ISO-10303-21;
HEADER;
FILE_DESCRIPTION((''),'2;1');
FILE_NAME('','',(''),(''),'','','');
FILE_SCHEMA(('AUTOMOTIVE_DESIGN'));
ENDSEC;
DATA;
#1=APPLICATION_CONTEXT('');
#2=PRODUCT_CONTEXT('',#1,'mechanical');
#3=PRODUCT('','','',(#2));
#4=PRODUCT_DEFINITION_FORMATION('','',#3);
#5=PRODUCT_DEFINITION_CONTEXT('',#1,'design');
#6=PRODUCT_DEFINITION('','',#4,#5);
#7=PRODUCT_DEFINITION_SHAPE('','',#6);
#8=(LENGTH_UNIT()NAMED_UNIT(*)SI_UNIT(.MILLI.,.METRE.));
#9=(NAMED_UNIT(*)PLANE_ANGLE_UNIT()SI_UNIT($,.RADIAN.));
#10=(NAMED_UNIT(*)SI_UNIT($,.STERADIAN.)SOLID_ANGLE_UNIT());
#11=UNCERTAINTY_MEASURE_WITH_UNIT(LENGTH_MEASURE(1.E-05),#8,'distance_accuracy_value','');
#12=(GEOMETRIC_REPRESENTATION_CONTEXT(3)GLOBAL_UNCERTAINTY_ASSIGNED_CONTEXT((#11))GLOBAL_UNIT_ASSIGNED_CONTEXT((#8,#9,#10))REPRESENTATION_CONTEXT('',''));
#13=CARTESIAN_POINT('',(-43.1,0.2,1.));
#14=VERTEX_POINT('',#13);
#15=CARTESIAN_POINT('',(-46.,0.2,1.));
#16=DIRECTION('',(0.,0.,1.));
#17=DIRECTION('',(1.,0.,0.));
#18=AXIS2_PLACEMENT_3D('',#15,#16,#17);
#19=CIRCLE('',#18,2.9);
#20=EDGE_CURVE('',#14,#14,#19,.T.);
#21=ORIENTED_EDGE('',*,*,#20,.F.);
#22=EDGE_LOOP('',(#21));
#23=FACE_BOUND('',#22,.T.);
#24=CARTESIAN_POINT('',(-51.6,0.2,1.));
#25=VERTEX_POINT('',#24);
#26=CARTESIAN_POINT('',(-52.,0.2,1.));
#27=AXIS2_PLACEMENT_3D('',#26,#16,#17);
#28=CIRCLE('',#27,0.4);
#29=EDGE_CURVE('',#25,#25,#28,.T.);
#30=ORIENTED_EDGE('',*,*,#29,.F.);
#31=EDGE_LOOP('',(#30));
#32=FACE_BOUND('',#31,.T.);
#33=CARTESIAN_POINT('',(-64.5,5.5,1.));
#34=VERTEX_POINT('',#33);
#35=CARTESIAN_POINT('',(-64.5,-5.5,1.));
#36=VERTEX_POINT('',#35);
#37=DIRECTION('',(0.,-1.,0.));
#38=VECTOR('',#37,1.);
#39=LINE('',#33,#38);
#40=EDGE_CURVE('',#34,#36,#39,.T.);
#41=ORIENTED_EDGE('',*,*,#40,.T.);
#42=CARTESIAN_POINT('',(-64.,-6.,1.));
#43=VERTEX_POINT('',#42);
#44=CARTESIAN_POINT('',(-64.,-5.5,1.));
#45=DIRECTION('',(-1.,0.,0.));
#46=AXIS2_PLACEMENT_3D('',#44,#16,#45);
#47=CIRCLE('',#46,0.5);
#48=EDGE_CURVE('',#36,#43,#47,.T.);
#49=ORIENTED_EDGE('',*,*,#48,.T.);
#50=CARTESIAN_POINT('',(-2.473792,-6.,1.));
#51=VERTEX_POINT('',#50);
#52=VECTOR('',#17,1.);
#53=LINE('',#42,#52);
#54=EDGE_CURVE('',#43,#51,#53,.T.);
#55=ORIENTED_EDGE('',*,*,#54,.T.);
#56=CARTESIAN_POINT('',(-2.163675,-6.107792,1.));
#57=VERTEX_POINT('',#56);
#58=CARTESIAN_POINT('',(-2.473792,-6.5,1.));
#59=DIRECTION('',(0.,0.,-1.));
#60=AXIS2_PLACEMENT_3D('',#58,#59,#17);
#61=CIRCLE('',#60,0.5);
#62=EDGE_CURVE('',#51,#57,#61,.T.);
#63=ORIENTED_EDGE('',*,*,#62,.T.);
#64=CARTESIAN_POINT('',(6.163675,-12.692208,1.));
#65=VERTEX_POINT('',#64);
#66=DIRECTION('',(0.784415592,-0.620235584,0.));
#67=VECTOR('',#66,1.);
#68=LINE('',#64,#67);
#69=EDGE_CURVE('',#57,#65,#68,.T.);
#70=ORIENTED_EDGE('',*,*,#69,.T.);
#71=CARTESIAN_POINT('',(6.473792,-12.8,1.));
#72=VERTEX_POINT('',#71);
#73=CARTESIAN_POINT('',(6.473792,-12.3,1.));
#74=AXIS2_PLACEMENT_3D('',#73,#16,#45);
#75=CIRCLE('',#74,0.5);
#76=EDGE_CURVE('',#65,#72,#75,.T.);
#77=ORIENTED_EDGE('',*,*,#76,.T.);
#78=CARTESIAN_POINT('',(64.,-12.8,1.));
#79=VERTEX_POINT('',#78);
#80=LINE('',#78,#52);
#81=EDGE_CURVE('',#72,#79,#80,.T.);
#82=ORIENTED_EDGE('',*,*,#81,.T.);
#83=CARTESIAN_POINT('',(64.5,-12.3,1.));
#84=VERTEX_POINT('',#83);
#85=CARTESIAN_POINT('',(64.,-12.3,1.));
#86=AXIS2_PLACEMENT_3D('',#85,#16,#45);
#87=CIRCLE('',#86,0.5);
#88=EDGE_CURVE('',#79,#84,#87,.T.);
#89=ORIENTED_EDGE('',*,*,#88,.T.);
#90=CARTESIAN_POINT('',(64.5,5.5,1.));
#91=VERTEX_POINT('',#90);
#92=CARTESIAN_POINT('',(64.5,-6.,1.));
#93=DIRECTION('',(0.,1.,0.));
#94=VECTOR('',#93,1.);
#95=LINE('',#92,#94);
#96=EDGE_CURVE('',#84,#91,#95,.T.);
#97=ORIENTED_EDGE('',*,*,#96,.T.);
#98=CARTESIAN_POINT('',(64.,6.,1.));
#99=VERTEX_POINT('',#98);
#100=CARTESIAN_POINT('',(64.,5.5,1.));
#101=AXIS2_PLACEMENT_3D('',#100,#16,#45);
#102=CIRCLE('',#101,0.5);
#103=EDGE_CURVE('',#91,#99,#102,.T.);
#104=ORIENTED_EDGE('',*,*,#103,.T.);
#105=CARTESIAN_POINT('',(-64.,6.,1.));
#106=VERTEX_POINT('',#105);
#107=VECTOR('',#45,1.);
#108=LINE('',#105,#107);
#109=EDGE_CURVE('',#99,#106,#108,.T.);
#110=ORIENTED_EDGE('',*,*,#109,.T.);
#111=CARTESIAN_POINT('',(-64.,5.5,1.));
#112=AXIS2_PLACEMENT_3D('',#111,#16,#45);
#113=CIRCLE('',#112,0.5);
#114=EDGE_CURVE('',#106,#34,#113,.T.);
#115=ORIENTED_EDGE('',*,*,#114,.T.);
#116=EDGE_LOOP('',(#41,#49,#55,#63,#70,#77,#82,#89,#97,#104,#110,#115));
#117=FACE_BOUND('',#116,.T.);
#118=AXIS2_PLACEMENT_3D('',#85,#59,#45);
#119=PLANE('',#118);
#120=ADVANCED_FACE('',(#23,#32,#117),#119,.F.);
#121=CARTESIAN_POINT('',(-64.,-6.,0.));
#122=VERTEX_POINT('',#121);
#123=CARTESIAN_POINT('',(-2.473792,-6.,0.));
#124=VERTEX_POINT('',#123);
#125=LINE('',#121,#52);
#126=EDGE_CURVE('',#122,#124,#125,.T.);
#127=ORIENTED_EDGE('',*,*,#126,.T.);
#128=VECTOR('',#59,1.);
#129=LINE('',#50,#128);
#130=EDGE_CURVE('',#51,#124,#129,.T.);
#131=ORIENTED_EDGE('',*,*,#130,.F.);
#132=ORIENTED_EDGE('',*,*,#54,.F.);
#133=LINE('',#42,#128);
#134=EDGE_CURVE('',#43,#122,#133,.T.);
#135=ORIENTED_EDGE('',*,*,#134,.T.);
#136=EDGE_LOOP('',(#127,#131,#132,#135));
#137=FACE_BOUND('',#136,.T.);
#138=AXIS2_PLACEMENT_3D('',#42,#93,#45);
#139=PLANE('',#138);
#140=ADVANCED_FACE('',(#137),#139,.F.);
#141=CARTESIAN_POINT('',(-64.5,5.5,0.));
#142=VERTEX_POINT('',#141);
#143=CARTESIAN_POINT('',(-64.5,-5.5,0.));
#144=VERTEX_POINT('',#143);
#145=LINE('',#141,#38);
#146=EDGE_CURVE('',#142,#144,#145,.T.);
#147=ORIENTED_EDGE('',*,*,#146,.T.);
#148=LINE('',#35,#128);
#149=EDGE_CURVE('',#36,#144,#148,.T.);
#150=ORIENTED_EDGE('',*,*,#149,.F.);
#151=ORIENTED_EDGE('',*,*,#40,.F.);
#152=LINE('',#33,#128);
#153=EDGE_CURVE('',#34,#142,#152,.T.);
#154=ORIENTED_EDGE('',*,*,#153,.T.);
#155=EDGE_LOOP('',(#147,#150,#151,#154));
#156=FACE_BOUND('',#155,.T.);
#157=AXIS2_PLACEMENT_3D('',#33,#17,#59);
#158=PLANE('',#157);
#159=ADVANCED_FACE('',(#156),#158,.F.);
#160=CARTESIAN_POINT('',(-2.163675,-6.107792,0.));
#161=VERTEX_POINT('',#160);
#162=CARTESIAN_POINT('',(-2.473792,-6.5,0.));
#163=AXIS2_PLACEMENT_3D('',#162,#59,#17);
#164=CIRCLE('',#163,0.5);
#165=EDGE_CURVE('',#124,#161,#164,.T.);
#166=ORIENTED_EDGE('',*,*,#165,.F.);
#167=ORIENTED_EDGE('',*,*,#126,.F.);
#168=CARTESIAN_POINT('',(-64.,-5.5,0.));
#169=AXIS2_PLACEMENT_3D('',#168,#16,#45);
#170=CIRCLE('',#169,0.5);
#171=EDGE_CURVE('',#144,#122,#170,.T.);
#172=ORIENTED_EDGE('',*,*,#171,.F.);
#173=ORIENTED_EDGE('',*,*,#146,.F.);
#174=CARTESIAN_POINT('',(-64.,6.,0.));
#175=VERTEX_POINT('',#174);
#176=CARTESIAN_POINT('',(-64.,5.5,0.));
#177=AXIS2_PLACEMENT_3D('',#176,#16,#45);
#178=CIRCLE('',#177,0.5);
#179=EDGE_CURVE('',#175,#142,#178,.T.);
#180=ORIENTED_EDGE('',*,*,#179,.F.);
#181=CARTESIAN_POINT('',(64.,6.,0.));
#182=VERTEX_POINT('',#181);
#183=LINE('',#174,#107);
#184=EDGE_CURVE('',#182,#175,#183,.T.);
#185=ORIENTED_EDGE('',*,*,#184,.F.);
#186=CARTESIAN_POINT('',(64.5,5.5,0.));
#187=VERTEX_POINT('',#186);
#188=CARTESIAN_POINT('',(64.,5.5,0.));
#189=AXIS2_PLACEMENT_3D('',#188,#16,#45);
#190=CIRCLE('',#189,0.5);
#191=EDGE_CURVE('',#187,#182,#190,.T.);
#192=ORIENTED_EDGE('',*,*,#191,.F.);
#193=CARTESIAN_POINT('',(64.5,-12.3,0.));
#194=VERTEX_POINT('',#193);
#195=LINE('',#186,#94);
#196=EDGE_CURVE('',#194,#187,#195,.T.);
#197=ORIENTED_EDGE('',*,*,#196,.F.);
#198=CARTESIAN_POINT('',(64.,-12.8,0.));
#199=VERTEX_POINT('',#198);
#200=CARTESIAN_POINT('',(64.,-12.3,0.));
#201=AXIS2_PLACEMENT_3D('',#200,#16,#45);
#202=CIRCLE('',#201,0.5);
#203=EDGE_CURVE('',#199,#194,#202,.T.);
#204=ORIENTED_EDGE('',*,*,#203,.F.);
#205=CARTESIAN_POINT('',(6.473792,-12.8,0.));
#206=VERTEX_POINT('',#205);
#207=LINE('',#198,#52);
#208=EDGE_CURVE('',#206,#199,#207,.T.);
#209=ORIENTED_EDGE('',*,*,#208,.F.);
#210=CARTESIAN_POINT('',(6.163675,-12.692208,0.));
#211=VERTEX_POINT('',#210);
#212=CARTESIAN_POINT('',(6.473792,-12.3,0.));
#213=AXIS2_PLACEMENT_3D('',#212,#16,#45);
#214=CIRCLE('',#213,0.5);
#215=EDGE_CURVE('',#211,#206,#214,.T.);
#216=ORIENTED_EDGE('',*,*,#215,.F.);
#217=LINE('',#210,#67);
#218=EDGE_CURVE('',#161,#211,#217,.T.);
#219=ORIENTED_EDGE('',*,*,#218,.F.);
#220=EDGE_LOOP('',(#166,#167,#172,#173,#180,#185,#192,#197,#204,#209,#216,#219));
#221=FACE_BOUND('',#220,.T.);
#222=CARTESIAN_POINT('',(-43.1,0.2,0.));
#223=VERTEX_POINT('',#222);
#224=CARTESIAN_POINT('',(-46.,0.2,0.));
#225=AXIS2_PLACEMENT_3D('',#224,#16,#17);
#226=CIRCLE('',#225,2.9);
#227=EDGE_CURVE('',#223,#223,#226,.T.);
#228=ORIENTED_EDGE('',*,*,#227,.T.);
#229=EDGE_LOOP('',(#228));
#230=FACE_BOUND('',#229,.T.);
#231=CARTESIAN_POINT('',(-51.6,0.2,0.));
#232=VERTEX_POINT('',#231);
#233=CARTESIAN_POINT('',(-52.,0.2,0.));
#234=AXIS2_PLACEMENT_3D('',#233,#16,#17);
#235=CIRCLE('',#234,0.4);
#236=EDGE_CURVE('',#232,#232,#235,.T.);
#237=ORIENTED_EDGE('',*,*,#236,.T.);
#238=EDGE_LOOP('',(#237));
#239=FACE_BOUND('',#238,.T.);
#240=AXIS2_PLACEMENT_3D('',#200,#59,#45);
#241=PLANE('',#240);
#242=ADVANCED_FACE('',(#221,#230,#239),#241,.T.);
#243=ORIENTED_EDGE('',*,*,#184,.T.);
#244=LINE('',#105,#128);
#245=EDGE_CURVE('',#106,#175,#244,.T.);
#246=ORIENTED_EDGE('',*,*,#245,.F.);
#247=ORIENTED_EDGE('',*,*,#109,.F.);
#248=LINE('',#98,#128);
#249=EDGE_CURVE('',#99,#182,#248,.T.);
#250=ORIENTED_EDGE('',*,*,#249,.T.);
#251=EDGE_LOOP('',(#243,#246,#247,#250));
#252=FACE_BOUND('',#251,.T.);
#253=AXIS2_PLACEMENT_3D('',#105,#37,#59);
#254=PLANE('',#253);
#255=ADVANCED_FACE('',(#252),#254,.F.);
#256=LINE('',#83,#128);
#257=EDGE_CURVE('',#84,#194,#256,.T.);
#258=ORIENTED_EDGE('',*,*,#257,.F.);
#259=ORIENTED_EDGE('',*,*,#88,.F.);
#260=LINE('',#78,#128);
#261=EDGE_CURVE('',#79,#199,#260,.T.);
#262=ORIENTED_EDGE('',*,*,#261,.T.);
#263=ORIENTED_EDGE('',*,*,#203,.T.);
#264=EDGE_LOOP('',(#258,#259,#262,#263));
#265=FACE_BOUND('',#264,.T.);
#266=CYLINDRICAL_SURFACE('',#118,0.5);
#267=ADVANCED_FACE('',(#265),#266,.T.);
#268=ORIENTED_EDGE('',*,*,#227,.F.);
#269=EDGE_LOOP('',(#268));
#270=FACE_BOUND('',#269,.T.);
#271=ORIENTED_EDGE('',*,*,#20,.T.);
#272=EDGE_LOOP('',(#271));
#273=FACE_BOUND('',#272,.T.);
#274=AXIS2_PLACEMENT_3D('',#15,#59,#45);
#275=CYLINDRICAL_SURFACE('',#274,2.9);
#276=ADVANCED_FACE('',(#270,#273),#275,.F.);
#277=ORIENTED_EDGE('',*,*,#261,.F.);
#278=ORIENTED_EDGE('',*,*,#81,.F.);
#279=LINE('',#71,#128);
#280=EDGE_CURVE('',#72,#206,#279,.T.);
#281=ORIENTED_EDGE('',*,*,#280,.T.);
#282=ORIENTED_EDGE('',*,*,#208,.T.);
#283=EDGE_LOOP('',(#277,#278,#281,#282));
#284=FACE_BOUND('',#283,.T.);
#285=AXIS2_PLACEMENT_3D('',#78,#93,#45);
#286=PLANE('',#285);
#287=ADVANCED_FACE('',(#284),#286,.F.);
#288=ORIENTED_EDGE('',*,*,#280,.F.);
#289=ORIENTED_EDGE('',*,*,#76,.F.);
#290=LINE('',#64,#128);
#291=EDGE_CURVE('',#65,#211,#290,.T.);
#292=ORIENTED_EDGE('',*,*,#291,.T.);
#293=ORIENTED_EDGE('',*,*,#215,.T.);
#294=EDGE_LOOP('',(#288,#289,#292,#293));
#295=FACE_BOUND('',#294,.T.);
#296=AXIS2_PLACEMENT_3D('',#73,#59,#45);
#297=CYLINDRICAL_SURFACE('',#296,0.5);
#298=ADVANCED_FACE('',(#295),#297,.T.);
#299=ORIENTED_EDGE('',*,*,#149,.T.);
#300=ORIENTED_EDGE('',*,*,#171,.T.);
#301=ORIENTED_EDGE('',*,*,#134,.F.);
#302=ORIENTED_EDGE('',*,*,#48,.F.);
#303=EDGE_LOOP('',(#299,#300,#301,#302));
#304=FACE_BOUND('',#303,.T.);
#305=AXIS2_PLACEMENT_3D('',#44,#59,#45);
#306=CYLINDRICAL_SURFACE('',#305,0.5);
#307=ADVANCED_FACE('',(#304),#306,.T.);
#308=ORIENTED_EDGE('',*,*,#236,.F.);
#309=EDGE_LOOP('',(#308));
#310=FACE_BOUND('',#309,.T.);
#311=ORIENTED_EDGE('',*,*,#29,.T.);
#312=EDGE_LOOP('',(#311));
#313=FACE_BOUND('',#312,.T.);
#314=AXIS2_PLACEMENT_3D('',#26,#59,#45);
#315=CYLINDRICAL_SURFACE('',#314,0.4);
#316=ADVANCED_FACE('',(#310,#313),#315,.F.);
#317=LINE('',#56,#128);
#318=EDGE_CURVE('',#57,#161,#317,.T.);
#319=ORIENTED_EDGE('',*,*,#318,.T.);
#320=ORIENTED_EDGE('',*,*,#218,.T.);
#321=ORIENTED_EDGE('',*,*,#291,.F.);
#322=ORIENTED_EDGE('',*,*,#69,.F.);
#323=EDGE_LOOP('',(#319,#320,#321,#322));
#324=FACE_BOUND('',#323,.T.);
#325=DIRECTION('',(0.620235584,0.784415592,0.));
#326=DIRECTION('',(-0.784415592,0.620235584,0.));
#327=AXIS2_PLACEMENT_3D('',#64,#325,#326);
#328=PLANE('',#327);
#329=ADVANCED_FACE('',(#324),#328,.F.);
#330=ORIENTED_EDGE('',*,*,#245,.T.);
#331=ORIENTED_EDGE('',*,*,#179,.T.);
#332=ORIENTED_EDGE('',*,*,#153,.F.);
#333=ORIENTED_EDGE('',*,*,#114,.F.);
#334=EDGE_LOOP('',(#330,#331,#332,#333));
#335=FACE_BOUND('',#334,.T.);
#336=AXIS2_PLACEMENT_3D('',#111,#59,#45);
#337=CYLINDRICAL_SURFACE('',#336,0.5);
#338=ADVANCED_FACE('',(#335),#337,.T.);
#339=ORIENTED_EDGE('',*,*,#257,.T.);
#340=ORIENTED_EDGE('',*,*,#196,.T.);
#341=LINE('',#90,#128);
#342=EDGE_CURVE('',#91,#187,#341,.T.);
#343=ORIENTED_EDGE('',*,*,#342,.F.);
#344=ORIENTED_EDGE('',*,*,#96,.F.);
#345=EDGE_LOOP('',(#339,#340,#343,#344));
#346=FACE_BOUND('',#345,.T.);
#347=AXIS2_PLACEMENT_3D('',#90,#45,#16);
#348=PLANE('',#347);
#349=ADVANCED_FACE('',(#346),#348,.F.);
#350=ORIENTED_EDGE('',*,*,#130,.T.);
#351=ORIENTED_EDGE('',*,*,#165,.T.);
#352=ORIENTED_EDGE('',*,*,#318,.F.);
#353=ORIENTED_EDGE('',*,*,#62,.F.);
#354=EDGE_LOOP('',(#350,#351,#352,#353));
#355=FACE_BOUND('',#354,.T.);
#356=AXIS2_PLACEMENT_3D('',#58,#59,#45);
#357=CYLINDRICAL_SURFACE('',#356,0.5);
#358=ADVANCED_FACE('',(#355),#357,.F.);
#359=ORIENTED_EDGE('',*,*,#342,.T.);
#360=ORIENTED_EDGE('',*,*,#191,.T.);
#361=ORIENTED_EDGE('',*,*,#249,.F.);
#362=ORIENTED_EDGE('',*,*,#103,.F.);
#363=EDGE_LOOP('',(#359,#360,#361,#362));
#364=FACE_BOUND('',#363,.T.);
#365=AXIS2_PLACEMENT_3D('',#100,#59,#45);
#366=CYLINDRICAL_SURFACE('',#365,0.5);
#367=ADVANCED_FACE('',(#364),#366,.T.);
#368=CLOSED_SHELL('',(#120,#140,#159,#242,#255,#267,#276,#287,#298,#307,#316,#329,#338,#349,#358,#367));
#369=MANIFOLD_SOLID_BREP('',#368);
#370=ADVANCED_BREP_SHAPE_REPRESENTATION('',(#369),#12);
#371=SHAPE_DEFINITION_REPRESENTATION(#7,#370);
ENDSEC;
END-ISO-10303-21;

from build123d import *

# Parameters (mm, degrees)
SKETCH_1_R      = 2.9
SKETCH_1_R_2    = 0.4
EXTRUDE_1_DEPTH = 1


with BuildPart() as part:
    # Эскиз1 → Бобышка-Вытянуть1 (new body)
    with BuildSketch(Plane.XY):
        with BuildLine():
            Line((6.163674565, -12.692207796), (-2.163674565, -6.107792204))
            ThreePointArc((-2.163674565, -6.107792204), (-2.309633742, -6.027716241), (-2.473792357, -6))
            Line((-2.473792357, -6), (-64, -6))
            ThreePointArc((-64, -6), (-64.353553391, -5.853553391), (-64.5, -5.5))
            Line((-64.5, -5.5), (-64.5, 5.5))
            ThreePointArc((-64.5, 5.5), (-64.353553391, 5.853553391), (-64, 6))
            Line((-64, 6), (64, 6))
            ThreePointArc((64, 6), (64.353553391, 5.853553391), (64.5, 5.5))
            Line((64.5, 5.5), (64.5, -6))
            Line((64.5, -6), (64.5, -12.3))
            ThreePointArc((64.5, -12.3), (64.353553391, -12.653553391), (64, -12.8))
            Line((64, -12.8), (6.473792357, -12.8))
            ThreePointArc((6.473792357, -12.8), (6.309633742, -12.772283759), (6.163674565, -12.692207796))
        make_face()
        with Locations((-46, 0.2)):
            Circle(SKETCH_1_R, mode=Mode.SUBTRACT)
        with Locations((-52, 0.2)):
            Circle(SKETCH_1_R_2, mode=Mode.SUBTRACT)
    extrude(amount=EXTRUDE_1_DEPTH)


solid = part.part
